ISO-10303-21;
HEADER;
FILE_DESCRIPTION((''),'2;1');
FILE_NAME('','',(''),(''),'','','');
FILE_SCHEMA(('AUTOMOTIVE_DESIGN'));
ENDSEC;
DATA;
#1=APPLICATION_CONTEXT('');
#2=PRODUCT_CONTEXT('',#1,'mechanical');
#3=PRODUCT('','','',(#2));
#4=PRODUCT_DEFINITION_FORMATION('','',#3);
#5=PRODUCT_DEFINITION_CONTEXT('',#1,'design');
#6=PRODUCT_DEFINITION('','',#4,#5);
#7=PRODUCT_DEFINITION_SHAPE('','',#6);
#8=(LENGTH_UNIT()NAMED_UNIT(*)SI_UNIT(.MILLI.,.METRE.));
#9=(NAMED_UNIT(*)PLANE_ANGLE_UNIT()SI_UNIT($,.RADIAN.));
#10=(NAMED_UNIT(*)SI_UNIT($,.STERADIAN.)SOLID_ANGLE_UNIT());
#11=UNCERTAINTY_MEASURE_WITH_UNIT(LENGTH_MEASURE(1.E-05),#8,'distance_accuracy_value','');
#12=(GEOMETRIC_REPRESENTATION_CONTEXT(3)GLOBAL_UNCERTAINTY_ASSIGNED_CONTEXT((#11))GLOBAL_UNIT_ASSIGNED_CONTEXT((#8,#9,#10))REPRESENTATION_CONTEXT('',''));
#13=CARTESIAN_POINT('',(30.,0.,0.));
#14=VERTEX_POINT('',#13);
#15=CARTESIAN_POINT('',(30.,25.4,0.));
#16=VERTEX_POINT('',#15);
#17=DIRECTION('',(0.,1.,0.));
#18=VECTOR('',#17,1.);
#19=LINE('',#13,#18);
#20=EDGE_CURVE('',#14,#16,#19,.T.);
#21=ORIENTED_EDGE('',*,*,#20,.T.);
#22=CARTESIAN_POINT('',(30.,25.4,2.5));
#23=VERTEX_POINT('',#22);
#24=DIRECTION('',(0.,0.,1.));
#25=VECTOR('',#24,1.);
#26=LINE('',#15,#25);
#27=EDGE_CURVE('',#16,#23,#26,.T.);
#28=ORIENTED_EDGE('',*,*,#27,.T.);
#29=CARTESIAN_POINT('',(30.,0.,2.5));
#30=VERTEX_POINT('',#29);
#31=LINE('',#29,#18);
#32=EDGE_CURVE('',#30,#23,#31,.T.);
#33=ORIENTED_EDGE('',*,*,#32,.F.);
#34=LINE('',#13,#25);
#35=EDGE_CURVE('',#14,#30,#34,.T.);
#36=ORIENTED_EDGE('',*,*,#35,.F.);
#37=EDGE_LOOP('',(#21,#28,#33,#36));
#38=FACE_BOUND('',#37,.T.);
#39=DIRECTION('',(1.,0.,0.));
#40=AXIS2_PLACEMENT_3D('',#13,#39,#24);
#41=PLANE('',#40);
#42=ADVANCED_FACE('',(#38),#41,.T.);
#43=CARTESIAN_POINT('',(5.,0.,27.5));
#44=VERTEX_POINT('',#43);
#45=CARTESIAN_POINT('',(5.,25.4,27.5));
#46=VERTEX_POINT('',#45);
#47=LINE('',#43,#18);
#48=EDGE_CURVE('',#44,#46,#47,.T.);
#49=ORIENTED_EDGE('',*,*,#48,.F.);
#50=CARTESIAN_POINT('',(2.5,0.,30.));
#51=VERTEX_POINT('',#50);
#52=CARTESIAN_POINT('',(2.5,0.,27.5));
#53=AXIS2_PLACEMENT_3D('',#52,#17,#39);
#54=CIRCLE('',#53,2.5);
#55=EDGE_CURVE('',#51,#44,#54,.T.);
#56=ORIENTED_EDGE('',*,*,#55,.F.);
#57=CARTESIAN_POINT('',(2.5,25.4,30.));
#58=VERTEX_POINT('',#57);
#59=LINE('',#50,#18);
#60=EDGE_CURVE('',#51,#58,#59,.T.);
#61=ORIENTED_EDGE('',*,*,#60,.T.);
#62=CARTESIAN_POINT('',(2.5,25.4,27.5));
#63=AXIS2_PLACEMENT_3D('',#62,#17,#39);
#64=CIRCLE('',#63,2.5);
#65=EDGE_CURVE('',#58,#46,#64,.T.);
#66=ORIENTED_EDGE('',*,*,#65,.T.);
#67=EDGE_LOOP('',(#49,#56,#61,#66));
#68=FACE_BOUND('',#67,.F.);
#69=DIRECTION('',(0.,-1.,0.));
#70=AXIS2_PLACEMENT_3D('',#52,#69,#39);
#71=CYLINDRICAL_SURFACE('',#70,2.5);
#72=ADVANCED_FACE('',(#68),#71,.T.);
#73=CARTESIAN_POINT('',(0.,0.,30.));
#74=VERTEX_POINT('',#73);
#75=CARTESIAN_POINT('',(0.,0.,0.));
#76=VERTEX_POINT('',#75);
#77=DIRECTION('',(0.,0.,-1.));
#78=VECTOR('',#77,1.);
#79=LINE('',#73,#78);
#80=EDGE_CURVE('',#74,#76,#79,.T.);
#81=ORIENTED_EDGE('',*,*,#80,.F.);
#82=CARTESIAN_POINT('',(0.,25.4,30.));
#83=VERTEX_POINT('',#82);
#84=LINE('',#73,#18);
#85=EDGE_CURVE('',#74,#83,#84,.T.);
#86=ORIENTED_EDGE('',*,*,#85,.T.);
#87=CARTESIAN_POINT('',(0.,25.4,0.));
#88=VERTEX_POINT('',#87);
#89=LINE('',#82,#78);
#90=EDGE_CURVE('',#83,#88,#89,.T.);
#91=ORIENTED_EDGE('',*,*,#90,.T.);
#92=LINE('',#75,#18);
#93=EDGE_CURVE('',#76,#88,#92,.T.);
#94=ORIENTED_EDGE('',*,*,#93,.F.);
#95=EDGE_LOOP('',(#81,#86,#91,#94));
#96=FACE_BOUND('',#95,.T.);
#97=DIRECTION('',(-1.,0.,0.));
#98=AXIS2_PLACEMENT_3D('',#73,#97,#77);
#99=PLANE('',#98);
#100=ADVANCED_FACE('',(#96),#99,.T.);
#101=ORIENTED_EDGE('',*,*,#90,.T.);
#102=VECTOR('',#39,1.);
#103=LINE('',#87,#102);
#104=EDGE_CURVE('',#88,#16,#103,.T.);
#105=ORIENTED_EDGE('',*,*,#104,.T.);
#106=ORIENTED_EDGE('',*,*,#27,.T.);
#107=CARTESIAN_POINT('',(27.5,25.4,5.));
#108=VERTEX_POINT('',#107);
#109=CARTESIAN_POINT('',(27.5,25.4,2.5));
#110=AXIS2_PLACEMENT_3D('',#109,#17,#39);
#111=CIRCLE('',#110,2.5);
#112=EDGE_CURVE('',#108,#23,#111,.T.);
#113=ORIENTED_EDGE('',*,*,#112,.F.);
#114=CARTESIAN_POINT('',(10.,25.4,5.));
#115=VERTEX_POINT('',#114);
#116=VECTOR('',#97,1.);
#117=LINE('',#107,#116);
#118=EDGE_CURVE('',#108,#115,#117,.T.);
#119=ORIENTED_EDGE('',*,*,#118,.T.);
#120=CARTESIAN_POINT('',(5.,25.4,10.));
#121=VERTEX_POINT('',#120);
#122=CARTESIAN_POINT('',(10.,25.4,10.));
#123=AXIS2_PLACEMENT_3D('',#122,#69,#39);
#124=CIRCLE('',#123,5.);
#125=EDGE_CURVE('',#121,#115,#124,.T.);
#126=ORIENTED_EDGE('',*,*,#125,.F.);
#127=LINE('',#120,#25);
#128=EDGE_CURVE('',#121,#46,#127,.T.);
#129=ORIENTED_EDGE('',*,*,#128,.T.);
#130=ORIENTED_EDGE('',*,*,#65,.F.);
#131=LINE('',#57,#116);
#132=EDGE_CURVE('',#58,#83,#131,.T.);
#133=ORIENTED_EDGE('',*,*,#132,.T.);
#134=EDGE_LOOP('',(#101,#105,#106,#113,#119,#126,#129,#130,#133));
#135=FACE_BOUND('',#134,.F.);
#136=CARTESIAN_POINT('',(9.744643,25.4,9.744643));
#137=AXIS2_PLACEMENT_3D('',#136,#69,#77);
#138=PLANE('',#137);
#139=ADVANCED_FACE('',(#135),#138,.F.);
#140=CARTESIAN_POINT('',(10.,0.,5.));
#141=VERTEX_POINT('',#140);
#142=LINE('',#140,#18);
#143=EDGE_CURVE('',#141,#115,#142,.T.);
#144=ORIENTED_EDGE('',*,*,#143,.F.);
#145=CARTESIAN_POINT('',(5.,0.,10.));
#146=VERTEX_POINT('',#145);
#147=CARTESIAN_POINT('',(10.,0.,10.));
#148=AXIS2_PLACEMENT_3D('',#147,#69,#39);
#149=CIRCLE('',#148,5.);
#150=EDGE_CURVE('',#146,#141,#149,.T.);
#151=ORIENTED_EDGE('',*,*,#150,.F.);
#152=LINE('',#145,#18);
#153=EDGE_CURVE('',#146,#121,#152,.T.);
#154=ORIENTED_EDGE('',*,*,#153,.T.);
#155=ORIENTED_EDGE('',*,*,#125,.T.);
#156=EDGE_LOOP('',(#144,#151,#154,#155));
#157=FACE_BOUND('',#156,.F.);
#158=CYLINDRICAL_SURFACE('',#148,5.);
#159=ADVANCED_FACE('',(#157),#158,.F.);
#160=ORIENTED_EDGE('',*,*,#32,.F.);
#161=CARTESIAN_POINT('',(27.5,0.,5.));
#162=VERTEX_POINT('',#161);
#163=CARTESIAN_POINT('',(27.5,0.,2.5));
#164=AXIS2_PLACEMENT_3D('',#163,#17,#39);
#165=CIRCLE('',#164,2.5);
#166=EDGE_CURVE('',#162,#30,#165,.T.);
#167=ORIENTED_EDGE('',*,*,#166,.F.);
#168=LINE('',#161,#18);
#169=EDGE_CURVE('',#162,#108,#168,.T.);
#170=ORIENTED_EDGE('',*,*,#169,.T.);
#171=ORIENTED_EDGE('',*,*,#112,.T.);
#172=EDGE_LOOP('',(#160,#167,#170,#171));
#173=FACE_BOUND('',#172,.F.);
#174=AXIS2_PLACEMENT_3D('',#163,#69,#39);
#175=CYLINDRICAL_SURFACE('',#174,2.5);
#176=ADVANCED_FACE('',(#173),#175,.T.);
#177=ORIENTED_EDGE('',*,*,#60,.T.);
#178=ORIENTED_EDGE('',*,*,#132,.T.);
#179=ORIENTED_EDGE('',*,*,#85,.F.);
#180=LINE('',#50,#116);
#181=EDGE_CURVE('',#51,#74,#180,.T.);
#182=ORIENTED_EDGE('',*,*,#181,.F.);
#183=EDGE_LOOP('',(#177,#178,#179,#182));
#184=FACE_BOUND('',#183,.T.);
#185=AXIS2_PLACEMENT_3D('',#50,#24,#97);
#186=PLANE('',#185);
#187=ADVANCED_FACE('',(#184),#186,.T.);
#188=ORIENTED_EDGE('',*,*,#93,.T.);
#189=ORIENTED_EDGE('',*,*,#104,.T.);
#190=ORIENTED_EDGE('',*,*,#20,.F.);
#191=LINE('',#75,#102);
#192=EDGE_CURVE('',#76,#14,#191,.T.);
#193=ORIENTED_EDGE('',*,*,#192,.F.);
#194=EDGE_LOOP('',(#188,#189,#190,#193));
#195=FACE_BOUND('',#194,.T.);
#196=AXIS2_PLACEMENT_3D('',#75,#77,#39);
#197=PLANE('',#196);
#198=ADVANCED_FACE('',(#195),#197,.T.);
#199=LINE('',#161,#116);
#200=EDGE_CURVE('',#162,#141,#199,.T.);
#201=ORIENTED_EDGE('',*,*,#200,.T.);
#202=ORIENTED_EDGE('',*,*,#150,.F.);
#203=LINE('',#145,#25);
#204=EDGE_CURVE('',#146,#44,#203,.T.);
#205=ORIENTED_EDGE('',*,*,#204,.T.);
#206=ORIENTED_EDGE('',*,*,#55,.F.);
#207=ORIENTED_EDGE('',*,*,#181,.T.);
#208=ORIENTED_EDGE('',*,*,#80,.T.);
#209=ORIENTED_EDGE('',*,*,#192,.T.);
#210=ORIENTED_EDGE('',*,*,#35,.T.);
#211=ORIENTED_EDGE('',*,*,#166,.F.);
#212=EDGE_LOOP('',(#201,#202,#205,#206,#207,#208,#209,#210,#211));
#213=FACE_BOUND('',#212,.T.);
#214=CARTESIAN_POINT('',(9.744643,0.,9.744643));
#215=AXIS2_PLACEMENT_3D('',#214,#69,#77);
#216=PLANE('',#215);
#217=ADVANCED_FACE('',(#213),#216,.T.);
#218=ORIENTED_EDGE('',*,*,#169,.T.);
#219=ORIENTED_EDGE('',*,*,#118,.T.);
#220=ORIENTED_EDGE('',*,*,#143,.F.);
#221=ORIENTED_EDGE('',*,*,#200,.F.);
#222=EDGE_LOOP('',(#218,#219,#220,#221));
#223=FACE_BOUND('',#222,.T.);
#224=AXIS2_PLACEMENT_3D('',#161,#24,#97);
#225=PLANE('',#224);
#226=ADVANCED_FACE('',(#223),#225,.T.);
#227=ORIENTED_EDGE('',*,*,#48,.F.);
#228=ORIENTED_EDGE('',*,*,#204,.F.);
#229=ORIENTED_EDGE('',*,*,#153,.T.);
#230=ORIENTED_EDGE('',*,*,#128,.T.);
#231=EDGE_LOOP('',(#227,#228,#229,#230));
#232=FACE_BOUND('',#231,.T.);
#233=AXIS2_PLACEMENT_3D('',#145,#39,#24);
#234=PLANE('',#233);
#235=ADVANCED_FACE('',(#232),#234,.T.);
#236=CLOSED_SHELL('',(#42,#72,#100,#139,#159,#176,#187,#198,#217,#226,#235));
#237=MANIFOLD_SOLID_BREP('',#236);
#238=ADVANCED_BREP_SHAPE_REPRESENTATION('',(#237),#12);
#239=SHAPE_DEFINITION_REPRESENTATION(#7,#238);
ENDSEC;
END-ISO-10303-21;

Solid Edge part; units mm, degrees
sketch "Sketch1" plane through (0, 0, 0) normal (0, -1, 0) x (1, 0, 0)
  line L0 (30, 0) -> (30, 2.5)
  arc A0 (27.5, 5) -> (30, 2.5) centre (27.5, 2.5) cw
  line L1 (27.5, 5) -> (10, 5)
  arc A1 (5, 10) -> (10, 5) centre (10, 10) ccw
  line L2 (5, 10) -> (5, 27.5)
  arc A2 (2.5, 30) -> (5, 27.5) centre (2.5, 27.5) cw
  line L3 (2.5, 30) -> (0, 30)
  line L4 (0, 30) -> (0, 0)
  line L5 (0, 0) -> (30, 0)
  dimension "D1" = 30
  dimension "D2" = 30
  dimension "D3" = 5
  dimension "D4" = 5
extrude "Protrusion1" add sketch "Sketch1" against normal blind 25.4
